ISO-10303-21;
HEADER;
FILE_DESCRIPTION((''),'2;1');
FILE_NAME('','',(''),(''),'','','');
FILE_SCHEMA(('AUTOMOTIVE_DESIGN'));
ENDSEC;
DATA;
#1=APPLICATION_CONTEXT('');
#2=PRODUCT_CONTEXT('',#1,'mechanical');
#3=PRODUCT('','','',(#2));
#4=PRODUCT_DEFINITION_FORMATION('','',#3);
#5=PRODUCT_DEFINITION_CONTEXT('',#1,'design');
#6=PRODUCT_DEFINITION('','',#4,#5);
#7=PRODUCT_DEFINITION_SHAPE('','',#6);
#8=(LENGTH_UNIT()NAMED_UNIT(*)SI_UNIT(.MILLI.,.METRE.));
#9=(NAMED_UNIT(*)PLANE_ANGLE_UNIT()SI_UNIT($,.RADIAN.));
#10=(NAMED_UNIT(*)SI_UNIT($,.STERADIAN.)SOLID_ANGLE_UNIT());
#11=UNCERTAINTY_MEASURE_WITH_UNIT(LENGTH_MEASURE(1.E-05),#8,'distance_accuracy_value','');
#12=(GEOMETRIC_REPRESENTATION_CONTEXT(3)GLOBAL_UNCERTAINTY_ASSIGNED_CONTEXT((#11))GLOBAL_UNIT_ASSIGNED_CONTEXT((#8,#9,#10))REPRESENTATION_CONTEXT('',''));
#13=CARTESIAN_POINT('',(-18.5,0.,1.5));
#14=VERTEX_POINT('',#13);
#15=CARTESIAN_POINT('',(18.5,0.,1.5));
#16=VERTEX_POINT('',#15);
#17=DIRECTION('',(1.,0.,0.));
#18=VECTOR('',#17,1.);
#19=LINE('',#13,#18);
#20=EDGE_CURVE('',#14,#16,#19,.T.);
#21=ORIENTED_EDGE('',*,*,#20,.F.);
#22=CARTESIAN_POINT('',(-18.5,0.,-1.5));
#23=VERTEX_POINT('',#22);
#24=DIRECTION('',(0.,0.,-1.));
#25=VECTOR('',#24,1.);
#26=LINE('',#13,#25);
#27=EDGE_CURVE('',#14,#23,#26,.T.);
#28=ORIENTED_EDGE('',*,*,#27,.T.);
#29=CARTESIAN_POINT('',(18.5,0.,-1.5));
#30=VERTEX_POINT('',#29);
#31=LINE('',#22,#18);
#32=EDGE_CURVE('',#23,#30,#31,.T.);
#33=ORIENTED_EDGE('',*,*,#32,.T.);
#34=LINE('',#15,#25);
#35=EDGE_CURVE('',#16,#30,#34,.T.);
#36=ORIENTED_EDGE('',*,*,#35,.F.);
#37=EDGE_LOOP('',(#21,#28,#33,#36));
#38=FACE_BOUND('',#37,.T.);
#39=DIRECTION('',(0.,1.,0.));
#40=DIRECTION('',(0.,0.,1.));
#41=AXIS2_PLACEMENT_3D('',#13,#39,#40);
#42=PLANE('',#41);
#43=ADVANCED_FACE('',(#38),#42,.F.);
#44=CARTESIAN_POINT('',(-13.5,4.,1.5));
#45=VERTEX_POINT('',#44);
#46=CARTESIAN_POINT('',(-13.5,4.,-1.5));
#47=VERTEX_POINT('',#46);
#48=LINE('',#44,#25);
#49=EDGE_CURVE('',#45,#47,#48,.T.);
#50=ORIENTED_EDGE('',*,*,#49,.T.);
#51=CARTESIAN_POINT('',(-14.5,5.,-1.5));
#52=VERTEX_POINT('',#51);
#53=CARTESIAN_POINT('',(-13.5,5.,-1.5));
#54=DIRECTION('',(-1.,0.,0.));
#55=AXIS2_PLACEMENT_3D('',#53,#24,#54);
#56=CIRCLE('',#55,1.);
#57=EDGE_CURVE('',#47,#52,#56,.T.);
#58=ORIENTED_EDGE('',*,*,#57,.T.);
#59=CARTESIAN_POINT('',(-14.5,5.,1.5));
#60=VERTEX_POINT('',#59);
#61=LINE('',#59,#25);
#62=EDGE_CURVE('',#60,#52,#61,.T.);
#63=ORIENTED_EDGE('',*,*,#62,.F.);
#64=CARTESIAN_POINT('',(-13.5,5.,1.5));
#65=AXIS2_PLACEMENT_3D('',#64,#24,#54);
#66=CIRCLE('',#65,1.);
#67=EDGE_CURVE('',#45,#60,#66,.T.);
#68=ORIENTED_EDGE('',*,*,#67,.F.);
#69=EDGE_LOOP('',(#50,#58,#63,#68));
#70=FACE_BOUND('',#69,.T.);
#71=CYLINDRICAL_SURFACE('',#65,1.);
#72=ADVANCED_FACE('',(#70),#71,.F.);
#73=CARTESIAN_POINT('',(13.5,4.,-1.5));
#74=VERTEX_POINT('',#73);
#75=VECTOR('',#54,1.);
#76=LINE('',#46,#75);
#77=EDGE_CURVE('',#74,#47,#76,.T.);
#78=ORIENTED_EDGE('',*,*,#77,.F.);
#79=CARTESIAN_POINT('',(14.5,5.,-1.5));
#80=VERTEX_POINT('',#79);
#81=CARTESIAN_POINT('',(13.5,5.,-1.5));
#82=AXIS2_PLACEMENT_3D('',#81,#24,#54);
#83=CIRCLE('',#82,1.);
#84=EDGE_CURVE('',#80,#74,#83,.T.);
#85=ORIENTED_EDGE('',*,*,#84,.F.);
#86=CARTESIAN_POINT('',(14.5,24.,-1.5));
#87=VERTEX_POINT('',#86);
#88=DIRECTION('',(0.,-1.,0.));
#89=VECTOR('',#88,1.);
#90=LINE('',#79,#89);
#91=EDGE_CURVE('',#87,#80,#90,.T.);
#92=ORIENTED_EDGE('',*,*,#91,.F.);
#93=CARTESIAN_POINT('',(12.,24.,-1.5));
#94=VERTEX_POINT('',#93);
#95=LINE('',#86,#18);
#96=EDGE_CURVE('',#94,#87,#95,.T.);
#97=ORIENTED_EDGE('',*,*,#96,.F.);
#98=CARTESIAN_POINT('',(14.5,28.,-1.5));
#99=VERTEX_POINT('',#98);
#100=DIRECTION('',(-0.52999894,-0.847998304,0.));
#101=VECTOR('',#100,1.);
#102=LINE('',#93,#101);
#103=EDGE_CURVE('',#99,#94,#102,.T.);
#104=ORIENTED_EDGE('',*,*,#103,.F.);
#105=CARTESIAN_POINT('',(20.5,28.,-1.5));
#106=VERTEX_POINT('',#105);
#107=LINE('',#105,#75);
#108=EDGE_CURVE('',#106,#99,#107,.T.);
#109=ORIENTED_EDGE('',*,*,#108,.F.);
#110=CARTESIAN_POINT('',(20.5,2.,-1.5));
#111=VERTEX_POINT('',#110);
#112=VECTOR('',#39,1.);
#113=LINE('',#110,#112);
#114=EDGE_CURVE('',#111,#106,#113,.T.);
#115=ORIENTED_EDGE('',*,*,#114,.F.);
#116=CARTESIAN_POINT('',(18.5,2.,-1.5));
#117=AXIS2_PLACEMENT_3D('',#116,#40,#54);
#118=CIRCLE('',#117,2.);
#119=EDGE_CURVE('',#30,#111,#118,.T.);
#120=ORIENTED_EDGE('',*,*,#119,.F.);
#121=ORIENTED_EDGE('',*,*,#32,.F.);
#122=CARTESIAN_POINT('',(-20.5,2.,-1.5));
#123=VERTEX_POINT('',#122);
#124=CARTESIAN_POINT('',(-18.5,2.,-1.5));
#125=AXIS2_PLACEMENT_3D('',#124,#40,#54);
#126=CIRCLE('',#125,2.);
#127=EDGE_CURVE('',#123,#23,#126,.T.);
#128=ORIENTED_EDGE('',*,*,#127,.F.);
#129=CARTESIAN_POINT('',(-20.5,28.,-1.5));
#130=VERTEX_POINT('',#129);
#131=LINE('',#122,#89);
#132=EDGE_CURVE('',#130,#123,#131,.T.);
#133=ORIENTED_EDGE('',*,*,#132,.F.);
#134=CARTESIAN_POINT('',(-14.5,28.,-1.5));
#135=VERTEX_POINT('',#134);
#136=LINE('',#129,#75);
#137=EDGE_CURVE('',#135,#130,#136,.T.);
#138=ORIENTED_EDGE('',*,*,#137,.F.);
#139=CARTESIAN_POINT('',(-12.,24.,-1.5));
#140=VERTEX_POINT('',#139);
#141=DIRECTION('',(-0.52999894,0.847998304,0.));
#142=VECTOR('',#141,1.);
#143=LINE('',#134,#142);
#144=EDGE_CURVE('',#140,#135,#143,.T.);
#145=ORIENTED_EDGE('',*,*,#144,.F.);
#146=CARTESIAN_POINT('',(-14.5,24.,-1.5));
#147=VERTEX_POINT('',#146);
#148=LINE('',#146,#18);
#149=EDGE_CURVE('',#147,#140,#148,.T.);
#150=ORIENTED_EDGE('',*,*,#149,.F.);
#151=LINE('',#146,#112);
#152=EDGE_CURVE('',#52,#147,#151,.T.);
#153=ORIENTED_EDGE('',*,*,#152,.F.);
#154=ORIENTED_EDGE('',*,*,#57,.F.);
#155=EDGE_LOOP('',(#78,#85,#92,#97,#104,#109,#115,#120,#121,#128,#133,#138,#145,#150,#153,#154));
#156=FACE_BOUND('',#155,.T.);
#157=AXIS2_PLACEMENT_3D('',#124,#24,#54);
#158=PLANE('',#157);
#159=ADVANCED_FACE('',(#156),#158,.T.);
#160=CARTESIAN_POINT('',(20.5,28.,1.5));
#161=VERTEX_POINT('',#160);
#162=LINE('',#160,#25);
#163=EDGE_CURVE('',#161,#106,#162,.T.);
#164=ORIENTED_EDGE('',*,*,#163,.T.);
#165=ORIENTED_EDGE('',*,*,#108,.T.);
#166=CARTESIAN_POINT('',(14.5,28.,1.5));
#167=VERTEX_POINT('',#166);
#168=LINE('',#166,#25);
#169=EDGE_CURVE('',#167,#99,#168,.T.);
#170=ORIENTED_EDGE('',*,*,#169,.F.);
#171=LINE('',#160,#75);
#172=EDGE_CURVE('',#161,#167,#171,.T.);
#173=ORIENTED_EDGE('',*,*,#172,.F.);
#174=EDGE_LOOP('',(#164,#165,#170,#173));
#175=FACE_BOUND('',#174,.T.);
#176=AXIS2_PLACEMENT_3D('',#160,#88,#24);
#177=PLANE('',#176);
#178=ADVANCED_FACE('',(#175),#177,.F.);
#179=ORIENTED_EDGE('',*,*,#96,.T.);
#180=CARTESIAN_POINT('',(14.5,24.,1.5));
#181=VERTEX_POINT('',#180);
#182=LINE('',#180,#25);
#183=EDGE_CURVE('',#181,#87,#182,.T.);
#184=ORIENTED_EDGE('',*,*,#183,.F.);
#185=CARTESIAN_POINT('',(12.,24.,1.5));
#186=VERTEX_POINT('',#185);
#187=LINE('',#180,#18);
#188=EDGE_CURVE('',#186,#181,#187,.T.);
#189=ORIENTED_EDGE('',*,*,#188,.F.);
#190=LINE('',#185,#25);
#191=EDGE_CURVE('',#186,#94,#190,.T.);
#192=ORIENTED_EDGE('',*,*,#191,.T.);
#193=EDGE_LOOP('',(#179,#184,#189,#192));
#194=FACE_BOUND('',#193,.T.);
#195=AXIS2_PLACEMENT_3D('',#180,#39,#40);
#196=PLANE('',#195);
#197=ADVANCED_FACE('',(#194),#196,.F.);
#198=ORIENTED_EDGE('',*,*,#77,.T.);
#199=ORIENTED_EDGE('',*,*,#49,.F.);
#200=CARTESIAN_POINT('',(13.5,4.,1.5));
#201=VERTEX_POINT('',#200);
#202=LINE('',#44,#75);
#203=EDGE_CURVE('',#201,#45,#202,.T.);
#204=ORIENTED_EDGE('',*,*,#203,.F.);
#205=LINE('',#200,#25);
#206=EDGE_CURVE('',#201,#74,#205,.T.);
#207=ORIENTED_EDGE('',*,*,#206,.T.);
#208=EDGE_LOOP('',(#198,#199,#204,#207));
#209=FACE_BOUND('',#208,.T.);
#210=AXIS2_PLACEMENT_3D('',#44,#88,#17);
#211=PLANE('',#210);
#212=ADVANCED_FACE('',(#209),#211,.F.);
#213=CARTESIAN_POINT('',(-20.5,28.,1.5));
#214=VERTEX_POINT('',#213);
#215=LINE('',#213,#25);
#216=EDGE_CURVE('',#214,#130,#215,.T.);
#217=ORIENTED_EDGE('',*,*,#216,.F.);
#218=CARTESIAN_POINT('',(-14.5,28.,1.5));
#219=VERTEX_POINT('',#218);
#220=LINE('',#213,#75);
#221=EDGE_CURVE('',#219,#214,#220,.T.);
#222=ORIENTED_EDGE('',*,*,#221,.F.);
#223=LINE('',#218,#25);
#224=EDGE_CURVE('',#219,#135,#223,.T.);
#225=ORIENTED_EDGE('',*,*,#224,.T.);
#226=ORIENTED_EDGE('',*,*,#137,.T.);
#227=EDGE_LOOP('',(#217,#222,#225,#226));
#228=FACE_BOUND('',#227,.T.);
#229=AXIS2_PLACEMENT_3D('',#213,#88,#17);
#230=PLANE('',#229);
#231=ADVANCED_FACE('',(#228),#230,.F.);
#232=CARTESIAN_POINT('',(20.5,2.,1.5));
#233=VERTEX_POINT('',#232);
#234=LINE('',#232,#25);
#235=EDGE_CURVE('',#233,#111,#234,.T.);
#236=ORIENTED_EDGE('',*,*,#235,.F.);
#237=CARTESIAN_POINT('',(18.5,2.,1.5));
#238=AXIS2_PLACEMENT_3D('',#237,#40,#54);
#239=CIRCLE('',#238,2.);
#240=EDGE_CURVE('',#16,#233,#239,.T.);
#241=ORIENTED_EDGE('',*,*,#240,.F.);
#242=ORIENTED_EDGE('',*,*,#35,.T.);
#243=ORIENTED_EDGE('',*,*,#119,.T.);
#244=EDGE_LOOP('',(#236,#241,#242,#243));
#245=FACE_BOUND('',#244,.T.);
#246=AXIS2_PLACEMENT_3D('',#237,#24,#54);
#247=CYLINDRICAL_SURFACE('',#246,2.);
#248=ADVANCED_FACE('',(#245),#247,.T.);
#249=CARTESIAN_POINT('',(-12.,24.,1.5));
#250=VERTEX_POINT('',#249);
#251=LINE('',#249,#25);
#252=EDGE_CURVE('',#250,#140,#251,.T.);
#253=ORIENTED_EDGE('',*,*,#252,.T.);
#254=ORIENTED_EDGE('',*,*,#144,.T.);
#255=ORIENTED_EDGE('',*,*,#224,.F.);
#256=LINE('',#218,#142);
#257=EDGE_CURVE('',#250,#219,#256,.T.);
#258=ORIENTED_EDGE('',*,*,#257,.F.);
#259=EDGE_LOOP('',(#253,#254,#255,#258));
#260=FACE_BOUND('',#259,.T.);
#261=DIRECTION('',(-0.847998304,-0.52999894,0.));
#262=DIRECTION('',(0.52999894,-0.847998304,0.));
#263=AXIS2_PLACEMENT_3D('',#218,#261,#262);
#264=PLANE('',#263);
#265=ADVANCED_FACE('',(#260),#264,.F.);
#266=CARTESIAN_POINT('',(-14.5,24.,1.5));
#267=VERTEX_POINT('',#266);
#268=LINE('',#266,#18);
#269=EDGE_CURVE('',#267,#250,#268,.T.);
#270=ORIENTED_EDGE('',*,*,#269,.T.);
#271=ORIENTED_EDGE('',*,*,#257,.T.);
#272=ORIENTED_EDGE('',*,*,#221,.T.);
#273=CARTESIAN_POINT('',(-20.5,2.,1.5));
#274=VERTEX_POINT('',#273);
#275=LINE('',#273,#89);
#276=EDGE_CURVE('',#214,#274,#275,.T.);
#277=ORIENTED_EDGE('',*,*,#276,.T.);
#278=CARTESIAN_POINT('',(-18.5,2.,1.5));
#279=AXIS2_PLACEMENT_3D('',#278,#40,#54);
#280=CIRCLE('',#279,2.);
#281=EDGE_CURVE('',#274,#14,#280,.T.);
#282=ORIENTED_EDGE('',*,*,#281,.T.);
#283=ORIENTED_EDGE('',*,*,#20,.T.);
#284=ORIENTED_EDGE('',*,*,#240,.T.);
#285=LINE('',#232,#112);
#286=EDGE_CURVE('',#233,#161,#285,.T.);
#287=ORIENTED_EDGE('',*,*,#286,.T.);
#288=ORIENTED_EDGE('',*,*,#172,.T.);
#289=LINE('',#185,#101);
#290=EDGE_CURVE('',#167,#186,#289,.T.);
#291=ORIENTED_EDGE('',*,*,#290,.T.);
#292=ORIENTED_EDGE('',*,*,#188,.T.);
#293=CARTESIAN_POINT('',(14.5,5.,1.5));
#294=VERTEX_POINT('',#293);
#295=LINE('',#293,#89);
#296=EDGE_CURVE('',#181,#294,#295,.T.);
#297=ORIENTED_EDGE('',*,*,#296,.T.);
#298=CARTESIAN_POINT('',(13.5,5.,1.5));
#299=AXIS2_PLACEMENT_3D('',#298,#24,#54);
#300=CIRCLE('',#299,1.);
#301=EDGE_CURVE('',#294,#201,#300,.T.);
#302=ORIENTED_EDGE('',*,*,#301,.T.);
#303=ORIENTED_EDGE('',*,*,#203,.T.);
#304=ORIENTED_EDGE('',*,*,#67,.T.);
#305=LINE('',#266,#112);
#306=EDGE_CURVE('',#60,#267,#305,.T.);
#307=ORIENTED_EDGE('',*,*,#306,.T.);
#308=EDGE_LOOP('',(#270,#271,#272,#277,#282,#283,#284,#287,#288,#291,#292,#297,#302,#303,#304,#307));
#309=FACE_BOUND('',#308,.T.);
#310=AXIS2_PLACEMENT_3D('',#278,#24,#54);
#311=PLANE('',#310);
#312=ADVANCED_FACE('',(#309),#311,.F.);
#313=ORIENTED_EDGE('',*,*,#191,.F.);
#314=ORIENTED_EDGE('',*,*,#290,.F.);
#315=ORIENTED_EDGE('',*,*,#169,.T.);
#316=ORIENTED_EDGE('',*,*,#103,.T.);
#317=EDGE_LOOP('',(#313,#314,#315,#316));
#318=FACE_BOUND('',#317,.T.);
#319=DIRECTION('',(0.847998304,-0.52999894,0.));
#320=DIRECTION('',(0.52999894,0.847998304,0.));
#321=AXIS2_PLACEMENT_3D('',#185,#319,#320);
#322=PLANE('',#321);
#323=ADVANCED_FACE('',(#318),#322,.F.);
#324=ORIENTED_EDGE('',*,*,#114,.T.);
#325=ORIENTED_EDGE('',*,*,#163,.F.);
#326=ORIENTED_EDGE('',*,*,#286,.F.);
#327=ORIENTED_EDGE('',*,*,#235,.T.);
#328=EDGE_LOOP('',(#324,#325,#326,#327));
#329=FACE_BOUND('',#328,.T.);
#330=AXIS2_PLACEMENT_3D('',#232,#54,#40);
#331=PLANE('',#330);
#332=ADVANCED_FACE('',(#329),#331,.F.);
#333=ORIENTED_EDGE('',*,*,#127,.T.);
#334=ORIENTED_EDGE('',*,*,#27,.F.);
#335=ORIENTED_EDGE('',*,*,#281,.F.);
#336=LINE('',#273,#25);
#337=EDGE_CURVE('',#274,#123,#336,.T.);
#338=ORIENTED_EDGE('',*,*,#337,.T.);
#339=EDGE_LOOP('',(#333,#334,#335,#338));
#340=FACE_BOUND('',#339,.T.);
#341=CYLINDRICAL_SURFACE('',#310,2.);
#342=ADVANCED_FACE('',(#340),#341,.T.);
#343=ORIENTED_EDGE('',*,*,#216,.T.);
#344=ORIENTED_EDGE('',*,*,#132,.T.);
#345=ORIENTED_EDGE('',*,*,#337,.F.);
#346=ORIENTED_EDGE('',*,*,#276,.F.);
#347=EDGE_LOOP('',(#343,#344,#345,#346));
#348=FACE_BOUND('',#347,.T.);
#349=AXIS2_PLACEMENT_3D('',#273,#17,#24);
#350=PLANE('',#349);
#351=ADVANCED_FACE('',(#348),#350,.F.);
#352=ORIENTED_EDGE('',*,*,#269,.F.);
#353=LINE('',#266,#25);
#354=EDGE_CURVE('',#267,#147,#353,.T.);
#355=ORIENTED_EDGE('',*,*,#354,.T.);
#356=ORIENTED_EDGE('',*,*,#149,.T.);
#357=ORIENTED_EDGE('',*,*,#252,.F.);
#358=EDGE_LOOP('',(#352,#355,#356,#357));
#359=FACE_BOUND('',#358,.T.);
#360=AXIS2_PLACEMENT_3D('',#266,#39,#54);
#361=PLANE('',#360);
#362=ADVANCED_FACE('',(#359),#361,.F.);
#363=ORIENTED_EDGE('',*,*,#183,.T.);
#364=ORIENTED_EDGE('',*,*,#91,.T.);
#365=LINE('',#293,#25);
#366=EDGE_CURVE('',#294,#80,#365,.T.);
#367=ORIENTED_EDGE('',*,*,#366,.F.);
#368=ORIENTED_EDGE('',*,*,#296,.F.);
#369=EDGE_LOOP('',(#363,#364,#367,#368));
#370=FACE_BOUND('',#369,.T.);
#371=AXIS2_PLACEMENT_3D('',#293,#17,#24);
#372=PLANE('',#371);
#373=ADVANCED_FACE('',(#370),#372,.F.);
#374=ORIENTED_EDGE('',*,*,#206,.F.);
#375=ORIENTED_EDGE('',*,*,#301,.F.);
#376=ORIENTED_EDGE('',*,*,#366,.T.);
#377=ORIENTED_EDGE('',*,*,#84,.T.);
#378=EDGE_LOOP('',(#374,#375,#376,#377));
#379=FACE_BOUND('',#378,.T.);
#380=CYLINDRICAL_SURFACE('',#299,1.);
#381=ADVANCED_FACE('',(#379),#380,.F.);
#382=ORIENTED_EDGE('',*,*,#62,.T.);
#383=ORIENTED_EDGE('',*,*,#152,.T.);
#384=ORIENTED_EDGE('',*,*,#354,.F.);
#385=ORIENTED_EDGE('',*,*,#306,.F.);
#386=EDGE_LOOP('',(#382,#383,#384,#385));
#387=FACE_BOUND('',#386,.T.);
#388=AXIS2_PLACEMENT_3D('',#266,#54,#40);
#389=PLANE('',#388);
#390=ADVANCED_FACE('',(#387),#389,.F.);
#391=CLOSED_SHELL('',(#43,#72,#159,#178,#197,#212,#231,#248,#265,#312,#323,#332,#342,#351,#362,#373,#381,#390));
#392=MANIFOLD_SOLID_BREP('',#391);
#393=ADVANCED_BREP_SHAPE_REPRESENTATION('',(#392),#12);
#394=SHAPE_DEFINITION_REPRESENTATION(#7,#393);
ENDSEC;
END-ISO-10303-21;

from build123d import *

# Parameters (mm, degrees)
BOSS_EXTRUDE1_DEPTH = 1.5


with BuildPart() as part:
    # Sketch1 → Boss-Extrude1 (new, symmetric)
    with BuildSketch(Plane.XY):
        with BuildLine():
            Line((-13.5, 4), (13.5, 4))
            ThreePointArc((13.5, 4), (14.207106781, 4.292893219), (14.5, 5))
            Line((14.5, 5), (14.5, 24))
            Line((14.5, 24), (12, 24))
            Line((12, 24), (14.5, 28))
            Line((14.5, 28), (20.5, 28))
            Line((20.5, 28), (20.5, 2))
            ThreePointArc((20.5, 2), (19.914213562, 0.585786438), (18.5, 0))
            Line((18.5, 0), (-18.5, 0))
            ThreePointArc((-18.5, 0), (-19.914213562, 0.585786438), (-20.5, 2))
            Line((-20.5, 2), (-20.5, 28))
            Line((-20.5, 28), (-14.5, 28))
            Line((-14.5, 28), (-12, 24))
            Line((-12, 24), (-14.5, 24))
            Line((-14.5, 24), (-14.5, 5))
            ThreePointArc((-14.5, 5), (-14.207106781, 4.292893219), (-13.5, 4))
        make_face()
    extrude(amount=BOSS_EXTRUDE1_DEPTH, both=True)


solid = part.part
